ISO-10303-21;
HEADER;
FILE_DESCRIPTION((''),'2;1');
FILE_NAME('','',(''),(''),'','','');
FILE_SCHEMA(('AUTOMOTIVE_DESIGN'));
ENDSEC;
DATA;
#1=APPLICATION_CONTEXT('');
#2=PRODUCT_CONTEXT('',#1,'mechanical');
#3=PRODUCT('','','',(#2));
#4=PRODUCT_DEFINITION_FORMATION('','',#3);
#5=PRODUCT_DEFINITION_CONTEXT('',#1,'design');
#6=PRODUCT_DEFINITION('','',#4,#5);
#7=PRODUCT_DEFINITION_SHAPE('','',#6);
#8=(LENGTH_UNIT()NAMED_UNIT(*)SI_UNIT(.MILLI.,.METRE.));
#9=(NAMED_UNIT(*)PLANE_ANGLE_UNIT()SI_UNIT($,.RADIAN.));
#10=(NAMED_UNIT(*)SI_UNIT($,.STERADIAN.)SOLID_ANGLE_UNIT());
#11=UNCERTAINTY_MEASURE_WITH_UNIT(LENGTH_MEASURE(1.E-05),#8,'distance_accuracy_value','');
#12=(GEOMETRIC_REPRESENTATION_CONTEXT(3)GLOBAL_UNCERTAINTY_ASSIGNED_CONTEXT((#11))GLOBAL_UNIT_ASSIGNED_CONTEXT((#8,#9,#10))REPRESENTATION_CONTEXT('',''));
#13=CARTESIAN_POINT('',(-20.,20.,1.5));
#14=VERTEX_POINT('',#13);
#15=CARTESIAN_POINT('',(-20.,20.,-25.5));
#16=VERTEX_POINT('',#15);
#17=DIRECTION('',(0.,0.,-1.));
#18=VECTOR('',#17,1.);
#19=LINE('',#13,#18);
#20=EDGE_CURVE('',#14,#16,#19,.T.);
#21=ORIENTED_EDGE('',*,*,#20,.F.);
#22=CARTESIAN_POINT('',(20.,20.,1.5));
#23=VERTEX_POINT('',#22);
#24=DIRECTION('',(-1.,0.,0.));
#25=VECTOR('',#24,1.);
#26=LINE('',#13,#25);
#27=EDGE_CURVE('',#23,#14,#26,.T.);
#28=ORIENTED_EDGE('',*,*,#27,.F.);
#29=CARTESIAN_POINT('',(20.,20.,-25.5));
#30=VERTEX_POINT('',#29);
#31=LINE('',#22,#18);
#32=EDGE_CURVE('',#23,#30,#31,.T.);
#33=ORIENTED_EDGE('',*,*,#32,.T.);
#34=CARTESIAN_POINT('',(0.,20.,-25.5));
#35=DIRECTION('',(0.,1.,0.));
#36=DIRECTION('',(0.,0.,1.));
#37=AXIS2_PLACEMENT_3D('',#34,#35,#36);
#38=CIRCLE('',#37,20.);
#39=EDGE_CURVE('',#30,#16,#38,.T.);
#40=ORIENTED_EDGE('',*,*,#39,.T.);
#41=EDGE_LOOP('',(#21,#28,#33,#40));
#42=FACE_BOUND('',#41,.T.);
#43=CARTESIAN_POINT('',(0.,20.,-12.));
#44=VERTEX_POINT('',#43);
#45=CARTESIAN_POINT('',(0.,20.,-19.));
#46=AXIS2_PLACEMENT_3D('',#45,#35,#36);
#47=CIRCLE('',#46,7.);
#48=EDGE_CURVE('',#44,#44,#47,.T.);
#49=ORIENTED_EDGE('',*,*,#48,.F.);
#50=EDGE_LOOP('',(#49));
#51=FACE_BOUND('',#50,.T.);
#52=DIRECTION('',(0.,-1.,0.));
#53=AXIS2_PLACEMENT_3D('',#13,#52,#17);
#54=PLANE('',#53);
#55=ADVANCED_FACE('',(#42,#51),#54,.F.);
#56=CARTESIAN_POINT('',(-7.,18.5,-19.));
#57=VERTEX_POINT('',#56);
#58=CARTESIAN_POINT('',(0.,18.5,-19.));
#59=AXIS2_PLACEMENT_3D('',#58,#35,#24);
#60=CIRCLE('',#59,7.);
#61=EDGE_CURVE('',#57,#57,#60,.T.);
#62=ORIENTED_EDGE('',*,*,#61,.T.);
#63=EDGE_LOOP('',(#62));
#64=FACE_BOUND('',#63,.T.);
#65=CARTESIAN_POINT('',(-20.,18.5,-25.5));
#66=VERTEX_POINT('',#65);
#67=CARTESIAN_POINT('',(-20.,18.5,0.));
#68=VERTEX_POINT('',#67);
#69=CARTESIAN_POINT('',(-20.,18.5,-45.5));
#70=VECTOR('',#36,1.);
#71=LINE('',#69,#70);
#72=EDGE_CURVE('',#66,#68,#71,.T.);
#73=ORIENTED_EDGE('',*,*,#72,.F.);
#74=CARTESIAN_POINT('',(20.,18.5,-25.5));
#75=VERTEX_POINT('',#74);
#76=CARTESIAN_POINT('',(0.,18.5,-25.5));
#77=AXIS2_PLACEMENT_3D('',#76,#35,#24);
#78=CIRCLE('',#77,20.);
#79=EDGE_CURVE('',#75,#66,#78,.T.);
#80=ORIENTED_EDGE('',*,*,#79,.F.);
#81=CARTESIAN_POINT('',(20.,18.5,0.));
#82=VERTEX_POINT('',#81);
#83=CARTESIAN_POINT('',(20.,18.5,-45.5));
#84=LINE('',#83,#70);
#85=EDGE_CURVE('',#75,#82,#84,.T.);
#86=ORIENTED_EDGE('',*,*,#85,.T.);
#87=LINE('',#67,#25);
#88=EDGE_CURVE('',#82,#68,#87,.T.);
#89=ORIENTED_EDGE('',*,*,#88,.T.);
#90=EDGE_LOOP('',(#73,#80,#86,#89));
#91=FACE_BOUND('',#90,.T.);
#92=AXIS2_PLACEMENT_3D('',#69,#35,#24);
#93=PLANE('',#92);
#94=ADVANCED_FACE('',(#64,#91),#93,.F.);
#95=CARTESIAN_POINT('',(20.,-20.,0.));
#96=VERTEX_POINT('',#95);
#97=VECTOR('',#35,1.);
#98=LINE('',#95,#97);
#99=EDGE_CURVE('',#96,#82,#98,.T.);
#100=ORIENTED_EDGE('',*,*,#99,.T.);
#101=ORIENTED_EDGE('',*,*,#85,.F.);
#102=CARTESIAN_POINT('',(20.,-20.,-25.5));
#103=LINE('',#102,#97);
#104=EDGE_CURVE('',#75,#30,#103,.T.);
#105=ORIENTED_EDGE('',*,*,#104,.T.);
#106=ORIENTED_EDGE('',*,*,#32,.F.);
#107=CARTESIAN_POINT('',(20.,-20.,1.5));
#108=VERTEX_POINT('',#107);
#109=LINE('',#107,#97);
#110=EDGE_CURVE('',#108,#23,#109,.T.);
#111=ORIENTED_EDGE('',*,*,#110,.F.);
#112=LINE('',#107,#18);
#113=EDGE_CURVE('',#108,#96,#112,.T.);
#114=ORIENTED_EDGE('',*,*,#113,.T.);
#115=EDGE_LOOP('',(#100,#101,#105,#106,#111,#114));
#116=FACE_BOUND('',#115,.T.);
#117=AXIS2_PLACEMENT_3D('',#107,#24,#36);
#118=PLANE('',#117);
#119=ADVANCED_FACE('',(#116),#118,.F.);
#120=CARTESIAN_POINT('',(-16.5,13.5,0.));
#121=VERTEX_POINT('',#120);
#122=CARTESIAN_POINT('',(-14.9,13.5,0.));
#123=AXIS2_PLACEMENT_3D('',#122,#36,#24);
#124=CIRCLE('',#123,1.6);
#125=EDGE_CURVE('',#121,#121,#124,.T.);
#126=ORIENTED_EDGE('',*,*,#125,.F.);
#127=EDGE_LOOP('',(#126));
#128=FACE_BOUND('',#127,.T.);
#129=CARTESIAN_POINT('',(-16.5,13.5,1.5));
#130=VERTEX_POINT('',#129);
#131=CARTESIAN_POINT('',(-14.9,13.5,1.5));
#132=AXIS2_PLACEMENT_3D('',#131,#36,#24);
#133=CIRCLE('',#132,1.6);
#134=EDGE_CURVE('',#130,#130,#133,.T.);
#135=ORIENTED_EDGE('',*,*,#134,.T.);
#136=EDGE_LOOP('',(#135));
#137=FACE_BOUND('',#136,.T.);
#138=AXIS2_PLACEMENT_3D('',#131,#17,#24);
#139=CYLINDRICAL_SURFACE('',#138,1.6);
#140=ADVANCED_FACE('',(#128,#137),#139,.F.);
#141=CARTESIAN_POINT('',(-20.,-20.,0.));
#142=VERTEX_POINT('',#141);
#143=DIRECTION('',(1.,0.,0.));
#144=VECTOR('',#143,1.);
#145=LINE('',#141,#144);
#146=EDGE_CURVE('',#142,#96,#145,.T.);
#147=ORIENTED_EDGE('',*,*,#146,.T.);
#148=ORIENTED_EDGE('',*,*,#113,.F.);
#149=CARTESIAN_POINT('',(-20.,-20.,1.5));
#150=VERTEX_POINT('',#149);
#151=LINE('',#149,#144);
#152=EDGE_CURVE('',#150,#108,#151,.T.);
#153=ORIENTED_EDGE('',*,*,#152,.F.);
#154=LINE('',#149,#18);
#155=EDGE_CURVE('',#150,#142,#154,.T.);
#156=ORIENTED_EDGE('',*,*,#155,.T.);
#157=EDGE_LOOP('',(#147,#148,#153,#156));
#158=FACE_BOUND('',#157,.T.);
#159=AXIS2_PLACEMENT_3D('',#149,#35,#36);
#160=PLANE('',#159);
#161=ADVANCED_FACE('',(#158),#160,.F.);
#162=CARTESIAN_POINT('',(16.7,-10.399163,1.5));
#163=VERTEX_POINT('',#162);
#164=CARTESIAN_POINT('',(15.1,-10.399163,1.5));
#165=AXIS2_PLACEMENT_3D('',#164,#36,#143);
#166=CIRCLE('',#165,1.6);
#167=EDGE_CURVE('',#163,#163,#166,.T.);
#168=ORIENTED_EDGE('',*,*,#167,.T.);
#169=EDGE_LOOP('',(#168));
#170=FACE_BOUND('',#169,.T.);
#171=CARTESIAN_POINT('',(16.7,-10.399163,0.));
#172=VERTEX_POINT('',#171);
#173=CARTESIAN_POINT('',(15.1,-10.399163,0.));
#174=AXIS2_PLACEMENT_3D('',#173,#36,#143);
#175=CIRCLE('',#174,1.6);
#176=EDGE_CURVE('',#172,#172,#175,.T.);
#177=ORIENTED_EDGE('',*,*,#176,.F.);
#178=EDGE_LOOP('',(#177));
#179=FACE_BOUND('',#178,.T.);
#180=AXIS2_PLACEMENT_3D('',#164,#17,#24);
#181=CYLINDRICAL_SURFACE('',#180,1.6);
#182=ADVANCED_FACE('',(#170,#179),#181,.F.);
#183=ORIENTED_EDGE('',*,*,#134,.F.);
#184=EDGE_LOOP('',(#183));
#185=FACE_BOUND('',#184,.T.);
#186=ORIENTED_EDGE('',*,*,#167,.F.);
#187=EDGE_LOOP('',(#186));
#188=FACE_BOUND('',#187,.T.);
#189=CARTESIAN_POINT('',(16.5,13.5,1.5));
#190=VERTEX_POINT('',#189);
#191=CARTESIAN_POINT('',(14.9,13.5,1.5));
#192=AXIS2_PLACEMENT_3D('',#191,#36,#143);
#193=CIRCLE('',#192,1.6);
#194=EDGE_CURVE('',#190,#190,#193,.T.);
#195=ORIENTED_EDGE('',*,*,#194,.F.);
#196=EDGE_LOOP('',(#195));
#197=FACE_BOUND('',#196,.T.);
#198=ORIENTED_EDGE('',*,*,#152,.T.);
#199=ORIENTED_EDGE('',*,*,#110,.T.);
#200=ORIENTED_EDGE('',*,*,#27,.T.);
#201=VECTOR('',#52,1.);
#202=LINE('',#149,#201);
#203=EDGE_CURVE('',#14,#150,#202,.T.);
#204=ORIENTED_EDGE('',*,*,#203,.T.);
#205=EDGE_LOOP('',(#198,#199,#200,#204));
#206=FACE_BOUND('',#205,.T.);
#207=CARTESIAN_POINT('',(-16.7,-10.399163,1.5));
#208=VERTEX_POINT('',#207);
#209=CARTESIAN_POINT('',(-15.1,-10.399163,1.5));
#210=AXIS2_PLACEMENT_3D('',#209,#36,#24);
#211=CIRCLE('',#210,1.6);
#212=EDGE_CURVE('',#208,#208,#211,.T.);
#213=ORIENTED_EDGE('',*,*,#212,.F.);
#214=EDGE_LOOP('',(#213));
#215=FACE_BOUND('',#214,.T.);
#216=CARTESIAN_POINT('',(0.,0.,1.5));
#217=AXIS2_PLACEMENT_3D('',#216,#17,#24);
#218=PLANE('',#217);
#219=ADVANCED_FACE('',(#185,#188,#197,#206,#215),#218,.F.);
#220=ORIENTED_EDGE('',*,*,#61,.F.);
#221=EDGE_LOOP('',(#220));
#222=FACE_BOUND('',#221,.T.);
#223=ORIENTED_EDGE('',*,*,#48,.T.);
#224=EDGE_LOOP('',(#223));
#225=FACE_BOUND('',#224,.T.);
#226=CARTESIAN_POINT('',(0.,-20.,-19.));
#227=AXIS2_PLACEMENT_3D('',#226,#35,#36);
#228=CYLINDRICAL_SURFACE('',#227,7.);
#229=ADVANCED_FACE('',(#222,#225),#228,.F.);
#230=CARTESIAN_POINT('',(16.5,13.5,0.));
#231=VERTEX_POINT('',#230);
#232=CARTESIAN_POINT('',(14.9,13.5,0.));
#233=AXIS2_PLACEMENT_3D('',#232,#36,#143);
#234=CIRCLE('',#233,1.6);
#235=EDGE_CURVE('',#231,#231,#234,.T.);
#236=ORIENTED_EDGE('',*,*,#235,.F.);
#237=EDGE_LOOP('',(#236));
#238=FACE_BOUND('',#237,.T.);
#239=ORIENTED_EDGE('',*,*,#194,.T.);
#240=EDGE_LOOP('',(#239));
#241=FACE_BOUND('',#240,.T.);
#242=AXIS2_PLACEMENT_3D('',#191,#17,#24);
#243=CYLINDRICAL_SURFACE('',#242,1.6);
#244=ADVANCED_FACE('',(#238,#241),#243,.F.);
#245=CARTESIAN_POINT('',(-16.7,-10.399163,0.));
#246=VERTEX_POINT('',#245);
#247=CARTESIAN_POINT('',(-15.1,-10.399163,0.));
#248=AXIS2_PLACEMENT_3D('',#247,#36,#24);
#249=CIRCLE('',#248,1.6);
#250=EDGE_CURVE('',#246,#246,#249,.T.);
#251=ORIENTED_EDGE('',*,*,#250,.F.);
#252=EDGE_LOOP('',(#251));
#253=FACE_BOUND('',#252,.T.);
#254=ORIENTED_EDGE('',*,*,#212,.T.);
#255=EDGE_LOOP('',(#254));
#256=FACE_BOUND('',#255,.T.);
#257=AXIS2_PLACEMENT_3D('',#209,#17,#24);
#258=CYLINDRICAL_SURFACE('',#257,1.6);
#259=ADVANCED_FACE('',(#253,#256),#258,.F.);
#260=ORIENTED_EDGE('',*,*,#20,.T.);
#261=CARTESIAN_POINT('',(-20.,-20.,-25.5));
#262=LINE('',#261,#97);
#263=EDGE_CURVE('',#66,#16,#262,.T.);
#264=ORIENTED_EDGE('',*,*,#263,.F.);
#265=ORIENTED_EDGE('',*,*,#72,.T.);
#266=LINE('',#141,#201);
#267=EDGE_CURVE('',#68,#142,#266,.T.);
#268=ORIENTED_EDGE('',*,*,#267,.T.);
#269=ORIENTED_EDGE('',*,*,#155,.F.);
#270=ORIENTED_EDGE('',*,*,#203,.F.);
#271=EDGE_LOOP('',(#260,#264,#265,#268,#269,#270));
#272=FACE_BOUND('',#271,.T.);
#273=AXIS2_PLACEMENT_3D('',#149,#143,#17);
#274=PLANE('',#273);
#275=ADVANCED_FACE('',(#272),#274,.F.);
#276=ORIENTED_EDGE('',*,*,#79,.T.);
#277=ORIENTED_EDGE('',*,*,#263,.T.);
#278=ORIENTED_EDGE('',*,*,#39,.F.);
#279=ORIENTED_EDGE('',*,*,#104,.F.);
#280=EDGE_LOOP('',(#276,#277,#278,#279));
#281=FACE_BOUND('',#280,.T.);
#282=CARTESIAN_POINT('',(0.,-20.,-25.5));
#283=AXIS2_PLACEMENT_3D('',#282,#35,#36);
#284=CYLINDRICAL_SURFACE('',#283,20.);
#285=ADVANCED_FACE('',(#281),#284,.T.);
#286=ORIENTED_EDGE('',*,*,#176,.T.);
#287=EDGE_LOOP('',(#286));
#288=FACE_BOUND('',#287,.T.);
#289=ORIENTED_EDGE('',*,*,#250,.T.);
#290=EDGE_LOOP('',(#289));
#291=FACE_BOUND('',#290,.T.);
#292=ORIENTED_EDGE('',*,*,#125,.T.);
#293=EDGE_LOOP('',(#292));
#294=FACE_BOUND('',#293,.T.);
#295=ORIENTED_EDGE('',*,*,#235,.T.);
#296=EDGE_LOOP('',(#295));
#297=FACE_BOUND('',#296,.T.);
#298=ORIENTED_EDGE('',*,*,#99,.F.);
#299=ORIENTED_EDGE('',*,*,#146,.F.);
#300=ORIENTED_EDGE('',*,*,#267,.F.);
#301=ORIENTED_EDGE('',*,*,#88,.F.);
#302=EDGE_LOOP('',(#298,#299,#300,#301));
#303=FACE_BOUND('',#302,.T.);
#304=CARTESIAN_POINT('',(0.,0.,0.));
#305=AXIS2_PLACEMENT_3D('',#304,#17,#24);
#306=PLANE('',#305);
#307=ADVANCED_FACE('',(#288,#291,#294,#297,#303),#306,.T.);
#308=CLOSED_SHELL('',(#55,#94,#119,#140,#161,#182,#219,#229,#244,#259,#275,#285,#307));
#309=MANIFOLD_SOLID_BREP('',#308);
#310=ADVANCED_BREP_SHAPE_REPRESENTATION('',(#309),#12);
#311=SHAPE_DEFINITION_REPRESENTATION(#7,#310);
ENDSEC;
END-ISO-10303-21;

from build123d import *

# Parameters (mm, degrees)
SKETCH1_W           = 40
SKETCH1_H           = 40
SKETCH1_R           = 1.6
BOSS_EXTRUDE1_DEPTH = 1.5
SKETCH3_W           = 40
SKETCH3_H           = 1.5
BOSS_EXTRUDE2_DEPTH = 45.5
CUT_EXTRUDE1_DEPTH  = 64.798510954
SKETCH5_R           = 7
CUT_EXTRUDE2_DEPTH  = 64.798510954


with BuildPart() as part:
    # Sketch1 → Boss-Extrude1 (new body)
    with BuildSketch(Plane.XY):
        Rectangle(SKETCH1_W, SKETCH1_H)
        with Locations((14.9, 13.5)):
            Circle(SKETCH1_R, mode=Mode.SUBTRACT)
        with Locations(Location((-14.9, 13.5, 0), (0, 0, 180))):
            Circle(SKETCH1_R, mode=Mode.SUBTRACT)
        with Locations((15.1, -10.399163165)):
            Circle(SKETCH1_R, mode=Mode.SUBTRACT)
        with Locations(Location((-15.1, -10.399163165, 0), (0, 0, 180))):
            Circle(SKETCH1_R, mode=Mode.SUBTRACT)
    extrude(amount=BOSS_EXTRUDE1_DEPTH)

    # Sketch3 → Boss-Extrude2 (add)
    with BuildSketch(Plane(origin=(0, 0, 0), x_dir=(-1, 0, 0), z_dir=(0, 0, -1))):
        with Locations((0, 19.25)):
            Rectangle(SKETCH3_W, SKETCH3_H)
    extrude(amount=BOSS_EXTRUDE2_DEPTH)

    # Sketch4 → Cut-Extrude1 (cut, through all)
    with BuildSketch(Plane(origin=(0, 20, 0), x_dir=(1, 0, 0), z_dir=(0, 1, 0))):
        with BuildLine():
            ThreePointArc((0, 45.5), (14.142135624, 39.642135624), (20, 25.5))
            Line((20, 25.5), (20, 45.5))
            Line((20, 45.5), (0, 45.5))
        make_face()
        with BuildLine():
            Line((-20, 45.5), (-20, 25.5))
            ThreePointArc((-20, 25.5), (-14.142135624, 39.642135624), (0, 45.5))
            Line((0, 45.5), (-20, 45.5))
        make_face()
    extrude(amount=-CUT_EXTRUDE1_DEPTH, mode=Mode.SUBTRACT)

    # Sketch5 → Cut-Extrude2 (cut, through all)
    with BuildSketch(Plane(origin=(0, 20, 0), x_dir=(1, 0, 0), z_dir=(0, 1, 0))):
        with Locations(Location((0, 19, 0), (0, 0, 270))):
            Circle(SKETCH5_R)
    extrude(amount=-CUT_EXTRUDE2_DEPTH, mode=Mode.SUBTRACT)


solid = part.part
